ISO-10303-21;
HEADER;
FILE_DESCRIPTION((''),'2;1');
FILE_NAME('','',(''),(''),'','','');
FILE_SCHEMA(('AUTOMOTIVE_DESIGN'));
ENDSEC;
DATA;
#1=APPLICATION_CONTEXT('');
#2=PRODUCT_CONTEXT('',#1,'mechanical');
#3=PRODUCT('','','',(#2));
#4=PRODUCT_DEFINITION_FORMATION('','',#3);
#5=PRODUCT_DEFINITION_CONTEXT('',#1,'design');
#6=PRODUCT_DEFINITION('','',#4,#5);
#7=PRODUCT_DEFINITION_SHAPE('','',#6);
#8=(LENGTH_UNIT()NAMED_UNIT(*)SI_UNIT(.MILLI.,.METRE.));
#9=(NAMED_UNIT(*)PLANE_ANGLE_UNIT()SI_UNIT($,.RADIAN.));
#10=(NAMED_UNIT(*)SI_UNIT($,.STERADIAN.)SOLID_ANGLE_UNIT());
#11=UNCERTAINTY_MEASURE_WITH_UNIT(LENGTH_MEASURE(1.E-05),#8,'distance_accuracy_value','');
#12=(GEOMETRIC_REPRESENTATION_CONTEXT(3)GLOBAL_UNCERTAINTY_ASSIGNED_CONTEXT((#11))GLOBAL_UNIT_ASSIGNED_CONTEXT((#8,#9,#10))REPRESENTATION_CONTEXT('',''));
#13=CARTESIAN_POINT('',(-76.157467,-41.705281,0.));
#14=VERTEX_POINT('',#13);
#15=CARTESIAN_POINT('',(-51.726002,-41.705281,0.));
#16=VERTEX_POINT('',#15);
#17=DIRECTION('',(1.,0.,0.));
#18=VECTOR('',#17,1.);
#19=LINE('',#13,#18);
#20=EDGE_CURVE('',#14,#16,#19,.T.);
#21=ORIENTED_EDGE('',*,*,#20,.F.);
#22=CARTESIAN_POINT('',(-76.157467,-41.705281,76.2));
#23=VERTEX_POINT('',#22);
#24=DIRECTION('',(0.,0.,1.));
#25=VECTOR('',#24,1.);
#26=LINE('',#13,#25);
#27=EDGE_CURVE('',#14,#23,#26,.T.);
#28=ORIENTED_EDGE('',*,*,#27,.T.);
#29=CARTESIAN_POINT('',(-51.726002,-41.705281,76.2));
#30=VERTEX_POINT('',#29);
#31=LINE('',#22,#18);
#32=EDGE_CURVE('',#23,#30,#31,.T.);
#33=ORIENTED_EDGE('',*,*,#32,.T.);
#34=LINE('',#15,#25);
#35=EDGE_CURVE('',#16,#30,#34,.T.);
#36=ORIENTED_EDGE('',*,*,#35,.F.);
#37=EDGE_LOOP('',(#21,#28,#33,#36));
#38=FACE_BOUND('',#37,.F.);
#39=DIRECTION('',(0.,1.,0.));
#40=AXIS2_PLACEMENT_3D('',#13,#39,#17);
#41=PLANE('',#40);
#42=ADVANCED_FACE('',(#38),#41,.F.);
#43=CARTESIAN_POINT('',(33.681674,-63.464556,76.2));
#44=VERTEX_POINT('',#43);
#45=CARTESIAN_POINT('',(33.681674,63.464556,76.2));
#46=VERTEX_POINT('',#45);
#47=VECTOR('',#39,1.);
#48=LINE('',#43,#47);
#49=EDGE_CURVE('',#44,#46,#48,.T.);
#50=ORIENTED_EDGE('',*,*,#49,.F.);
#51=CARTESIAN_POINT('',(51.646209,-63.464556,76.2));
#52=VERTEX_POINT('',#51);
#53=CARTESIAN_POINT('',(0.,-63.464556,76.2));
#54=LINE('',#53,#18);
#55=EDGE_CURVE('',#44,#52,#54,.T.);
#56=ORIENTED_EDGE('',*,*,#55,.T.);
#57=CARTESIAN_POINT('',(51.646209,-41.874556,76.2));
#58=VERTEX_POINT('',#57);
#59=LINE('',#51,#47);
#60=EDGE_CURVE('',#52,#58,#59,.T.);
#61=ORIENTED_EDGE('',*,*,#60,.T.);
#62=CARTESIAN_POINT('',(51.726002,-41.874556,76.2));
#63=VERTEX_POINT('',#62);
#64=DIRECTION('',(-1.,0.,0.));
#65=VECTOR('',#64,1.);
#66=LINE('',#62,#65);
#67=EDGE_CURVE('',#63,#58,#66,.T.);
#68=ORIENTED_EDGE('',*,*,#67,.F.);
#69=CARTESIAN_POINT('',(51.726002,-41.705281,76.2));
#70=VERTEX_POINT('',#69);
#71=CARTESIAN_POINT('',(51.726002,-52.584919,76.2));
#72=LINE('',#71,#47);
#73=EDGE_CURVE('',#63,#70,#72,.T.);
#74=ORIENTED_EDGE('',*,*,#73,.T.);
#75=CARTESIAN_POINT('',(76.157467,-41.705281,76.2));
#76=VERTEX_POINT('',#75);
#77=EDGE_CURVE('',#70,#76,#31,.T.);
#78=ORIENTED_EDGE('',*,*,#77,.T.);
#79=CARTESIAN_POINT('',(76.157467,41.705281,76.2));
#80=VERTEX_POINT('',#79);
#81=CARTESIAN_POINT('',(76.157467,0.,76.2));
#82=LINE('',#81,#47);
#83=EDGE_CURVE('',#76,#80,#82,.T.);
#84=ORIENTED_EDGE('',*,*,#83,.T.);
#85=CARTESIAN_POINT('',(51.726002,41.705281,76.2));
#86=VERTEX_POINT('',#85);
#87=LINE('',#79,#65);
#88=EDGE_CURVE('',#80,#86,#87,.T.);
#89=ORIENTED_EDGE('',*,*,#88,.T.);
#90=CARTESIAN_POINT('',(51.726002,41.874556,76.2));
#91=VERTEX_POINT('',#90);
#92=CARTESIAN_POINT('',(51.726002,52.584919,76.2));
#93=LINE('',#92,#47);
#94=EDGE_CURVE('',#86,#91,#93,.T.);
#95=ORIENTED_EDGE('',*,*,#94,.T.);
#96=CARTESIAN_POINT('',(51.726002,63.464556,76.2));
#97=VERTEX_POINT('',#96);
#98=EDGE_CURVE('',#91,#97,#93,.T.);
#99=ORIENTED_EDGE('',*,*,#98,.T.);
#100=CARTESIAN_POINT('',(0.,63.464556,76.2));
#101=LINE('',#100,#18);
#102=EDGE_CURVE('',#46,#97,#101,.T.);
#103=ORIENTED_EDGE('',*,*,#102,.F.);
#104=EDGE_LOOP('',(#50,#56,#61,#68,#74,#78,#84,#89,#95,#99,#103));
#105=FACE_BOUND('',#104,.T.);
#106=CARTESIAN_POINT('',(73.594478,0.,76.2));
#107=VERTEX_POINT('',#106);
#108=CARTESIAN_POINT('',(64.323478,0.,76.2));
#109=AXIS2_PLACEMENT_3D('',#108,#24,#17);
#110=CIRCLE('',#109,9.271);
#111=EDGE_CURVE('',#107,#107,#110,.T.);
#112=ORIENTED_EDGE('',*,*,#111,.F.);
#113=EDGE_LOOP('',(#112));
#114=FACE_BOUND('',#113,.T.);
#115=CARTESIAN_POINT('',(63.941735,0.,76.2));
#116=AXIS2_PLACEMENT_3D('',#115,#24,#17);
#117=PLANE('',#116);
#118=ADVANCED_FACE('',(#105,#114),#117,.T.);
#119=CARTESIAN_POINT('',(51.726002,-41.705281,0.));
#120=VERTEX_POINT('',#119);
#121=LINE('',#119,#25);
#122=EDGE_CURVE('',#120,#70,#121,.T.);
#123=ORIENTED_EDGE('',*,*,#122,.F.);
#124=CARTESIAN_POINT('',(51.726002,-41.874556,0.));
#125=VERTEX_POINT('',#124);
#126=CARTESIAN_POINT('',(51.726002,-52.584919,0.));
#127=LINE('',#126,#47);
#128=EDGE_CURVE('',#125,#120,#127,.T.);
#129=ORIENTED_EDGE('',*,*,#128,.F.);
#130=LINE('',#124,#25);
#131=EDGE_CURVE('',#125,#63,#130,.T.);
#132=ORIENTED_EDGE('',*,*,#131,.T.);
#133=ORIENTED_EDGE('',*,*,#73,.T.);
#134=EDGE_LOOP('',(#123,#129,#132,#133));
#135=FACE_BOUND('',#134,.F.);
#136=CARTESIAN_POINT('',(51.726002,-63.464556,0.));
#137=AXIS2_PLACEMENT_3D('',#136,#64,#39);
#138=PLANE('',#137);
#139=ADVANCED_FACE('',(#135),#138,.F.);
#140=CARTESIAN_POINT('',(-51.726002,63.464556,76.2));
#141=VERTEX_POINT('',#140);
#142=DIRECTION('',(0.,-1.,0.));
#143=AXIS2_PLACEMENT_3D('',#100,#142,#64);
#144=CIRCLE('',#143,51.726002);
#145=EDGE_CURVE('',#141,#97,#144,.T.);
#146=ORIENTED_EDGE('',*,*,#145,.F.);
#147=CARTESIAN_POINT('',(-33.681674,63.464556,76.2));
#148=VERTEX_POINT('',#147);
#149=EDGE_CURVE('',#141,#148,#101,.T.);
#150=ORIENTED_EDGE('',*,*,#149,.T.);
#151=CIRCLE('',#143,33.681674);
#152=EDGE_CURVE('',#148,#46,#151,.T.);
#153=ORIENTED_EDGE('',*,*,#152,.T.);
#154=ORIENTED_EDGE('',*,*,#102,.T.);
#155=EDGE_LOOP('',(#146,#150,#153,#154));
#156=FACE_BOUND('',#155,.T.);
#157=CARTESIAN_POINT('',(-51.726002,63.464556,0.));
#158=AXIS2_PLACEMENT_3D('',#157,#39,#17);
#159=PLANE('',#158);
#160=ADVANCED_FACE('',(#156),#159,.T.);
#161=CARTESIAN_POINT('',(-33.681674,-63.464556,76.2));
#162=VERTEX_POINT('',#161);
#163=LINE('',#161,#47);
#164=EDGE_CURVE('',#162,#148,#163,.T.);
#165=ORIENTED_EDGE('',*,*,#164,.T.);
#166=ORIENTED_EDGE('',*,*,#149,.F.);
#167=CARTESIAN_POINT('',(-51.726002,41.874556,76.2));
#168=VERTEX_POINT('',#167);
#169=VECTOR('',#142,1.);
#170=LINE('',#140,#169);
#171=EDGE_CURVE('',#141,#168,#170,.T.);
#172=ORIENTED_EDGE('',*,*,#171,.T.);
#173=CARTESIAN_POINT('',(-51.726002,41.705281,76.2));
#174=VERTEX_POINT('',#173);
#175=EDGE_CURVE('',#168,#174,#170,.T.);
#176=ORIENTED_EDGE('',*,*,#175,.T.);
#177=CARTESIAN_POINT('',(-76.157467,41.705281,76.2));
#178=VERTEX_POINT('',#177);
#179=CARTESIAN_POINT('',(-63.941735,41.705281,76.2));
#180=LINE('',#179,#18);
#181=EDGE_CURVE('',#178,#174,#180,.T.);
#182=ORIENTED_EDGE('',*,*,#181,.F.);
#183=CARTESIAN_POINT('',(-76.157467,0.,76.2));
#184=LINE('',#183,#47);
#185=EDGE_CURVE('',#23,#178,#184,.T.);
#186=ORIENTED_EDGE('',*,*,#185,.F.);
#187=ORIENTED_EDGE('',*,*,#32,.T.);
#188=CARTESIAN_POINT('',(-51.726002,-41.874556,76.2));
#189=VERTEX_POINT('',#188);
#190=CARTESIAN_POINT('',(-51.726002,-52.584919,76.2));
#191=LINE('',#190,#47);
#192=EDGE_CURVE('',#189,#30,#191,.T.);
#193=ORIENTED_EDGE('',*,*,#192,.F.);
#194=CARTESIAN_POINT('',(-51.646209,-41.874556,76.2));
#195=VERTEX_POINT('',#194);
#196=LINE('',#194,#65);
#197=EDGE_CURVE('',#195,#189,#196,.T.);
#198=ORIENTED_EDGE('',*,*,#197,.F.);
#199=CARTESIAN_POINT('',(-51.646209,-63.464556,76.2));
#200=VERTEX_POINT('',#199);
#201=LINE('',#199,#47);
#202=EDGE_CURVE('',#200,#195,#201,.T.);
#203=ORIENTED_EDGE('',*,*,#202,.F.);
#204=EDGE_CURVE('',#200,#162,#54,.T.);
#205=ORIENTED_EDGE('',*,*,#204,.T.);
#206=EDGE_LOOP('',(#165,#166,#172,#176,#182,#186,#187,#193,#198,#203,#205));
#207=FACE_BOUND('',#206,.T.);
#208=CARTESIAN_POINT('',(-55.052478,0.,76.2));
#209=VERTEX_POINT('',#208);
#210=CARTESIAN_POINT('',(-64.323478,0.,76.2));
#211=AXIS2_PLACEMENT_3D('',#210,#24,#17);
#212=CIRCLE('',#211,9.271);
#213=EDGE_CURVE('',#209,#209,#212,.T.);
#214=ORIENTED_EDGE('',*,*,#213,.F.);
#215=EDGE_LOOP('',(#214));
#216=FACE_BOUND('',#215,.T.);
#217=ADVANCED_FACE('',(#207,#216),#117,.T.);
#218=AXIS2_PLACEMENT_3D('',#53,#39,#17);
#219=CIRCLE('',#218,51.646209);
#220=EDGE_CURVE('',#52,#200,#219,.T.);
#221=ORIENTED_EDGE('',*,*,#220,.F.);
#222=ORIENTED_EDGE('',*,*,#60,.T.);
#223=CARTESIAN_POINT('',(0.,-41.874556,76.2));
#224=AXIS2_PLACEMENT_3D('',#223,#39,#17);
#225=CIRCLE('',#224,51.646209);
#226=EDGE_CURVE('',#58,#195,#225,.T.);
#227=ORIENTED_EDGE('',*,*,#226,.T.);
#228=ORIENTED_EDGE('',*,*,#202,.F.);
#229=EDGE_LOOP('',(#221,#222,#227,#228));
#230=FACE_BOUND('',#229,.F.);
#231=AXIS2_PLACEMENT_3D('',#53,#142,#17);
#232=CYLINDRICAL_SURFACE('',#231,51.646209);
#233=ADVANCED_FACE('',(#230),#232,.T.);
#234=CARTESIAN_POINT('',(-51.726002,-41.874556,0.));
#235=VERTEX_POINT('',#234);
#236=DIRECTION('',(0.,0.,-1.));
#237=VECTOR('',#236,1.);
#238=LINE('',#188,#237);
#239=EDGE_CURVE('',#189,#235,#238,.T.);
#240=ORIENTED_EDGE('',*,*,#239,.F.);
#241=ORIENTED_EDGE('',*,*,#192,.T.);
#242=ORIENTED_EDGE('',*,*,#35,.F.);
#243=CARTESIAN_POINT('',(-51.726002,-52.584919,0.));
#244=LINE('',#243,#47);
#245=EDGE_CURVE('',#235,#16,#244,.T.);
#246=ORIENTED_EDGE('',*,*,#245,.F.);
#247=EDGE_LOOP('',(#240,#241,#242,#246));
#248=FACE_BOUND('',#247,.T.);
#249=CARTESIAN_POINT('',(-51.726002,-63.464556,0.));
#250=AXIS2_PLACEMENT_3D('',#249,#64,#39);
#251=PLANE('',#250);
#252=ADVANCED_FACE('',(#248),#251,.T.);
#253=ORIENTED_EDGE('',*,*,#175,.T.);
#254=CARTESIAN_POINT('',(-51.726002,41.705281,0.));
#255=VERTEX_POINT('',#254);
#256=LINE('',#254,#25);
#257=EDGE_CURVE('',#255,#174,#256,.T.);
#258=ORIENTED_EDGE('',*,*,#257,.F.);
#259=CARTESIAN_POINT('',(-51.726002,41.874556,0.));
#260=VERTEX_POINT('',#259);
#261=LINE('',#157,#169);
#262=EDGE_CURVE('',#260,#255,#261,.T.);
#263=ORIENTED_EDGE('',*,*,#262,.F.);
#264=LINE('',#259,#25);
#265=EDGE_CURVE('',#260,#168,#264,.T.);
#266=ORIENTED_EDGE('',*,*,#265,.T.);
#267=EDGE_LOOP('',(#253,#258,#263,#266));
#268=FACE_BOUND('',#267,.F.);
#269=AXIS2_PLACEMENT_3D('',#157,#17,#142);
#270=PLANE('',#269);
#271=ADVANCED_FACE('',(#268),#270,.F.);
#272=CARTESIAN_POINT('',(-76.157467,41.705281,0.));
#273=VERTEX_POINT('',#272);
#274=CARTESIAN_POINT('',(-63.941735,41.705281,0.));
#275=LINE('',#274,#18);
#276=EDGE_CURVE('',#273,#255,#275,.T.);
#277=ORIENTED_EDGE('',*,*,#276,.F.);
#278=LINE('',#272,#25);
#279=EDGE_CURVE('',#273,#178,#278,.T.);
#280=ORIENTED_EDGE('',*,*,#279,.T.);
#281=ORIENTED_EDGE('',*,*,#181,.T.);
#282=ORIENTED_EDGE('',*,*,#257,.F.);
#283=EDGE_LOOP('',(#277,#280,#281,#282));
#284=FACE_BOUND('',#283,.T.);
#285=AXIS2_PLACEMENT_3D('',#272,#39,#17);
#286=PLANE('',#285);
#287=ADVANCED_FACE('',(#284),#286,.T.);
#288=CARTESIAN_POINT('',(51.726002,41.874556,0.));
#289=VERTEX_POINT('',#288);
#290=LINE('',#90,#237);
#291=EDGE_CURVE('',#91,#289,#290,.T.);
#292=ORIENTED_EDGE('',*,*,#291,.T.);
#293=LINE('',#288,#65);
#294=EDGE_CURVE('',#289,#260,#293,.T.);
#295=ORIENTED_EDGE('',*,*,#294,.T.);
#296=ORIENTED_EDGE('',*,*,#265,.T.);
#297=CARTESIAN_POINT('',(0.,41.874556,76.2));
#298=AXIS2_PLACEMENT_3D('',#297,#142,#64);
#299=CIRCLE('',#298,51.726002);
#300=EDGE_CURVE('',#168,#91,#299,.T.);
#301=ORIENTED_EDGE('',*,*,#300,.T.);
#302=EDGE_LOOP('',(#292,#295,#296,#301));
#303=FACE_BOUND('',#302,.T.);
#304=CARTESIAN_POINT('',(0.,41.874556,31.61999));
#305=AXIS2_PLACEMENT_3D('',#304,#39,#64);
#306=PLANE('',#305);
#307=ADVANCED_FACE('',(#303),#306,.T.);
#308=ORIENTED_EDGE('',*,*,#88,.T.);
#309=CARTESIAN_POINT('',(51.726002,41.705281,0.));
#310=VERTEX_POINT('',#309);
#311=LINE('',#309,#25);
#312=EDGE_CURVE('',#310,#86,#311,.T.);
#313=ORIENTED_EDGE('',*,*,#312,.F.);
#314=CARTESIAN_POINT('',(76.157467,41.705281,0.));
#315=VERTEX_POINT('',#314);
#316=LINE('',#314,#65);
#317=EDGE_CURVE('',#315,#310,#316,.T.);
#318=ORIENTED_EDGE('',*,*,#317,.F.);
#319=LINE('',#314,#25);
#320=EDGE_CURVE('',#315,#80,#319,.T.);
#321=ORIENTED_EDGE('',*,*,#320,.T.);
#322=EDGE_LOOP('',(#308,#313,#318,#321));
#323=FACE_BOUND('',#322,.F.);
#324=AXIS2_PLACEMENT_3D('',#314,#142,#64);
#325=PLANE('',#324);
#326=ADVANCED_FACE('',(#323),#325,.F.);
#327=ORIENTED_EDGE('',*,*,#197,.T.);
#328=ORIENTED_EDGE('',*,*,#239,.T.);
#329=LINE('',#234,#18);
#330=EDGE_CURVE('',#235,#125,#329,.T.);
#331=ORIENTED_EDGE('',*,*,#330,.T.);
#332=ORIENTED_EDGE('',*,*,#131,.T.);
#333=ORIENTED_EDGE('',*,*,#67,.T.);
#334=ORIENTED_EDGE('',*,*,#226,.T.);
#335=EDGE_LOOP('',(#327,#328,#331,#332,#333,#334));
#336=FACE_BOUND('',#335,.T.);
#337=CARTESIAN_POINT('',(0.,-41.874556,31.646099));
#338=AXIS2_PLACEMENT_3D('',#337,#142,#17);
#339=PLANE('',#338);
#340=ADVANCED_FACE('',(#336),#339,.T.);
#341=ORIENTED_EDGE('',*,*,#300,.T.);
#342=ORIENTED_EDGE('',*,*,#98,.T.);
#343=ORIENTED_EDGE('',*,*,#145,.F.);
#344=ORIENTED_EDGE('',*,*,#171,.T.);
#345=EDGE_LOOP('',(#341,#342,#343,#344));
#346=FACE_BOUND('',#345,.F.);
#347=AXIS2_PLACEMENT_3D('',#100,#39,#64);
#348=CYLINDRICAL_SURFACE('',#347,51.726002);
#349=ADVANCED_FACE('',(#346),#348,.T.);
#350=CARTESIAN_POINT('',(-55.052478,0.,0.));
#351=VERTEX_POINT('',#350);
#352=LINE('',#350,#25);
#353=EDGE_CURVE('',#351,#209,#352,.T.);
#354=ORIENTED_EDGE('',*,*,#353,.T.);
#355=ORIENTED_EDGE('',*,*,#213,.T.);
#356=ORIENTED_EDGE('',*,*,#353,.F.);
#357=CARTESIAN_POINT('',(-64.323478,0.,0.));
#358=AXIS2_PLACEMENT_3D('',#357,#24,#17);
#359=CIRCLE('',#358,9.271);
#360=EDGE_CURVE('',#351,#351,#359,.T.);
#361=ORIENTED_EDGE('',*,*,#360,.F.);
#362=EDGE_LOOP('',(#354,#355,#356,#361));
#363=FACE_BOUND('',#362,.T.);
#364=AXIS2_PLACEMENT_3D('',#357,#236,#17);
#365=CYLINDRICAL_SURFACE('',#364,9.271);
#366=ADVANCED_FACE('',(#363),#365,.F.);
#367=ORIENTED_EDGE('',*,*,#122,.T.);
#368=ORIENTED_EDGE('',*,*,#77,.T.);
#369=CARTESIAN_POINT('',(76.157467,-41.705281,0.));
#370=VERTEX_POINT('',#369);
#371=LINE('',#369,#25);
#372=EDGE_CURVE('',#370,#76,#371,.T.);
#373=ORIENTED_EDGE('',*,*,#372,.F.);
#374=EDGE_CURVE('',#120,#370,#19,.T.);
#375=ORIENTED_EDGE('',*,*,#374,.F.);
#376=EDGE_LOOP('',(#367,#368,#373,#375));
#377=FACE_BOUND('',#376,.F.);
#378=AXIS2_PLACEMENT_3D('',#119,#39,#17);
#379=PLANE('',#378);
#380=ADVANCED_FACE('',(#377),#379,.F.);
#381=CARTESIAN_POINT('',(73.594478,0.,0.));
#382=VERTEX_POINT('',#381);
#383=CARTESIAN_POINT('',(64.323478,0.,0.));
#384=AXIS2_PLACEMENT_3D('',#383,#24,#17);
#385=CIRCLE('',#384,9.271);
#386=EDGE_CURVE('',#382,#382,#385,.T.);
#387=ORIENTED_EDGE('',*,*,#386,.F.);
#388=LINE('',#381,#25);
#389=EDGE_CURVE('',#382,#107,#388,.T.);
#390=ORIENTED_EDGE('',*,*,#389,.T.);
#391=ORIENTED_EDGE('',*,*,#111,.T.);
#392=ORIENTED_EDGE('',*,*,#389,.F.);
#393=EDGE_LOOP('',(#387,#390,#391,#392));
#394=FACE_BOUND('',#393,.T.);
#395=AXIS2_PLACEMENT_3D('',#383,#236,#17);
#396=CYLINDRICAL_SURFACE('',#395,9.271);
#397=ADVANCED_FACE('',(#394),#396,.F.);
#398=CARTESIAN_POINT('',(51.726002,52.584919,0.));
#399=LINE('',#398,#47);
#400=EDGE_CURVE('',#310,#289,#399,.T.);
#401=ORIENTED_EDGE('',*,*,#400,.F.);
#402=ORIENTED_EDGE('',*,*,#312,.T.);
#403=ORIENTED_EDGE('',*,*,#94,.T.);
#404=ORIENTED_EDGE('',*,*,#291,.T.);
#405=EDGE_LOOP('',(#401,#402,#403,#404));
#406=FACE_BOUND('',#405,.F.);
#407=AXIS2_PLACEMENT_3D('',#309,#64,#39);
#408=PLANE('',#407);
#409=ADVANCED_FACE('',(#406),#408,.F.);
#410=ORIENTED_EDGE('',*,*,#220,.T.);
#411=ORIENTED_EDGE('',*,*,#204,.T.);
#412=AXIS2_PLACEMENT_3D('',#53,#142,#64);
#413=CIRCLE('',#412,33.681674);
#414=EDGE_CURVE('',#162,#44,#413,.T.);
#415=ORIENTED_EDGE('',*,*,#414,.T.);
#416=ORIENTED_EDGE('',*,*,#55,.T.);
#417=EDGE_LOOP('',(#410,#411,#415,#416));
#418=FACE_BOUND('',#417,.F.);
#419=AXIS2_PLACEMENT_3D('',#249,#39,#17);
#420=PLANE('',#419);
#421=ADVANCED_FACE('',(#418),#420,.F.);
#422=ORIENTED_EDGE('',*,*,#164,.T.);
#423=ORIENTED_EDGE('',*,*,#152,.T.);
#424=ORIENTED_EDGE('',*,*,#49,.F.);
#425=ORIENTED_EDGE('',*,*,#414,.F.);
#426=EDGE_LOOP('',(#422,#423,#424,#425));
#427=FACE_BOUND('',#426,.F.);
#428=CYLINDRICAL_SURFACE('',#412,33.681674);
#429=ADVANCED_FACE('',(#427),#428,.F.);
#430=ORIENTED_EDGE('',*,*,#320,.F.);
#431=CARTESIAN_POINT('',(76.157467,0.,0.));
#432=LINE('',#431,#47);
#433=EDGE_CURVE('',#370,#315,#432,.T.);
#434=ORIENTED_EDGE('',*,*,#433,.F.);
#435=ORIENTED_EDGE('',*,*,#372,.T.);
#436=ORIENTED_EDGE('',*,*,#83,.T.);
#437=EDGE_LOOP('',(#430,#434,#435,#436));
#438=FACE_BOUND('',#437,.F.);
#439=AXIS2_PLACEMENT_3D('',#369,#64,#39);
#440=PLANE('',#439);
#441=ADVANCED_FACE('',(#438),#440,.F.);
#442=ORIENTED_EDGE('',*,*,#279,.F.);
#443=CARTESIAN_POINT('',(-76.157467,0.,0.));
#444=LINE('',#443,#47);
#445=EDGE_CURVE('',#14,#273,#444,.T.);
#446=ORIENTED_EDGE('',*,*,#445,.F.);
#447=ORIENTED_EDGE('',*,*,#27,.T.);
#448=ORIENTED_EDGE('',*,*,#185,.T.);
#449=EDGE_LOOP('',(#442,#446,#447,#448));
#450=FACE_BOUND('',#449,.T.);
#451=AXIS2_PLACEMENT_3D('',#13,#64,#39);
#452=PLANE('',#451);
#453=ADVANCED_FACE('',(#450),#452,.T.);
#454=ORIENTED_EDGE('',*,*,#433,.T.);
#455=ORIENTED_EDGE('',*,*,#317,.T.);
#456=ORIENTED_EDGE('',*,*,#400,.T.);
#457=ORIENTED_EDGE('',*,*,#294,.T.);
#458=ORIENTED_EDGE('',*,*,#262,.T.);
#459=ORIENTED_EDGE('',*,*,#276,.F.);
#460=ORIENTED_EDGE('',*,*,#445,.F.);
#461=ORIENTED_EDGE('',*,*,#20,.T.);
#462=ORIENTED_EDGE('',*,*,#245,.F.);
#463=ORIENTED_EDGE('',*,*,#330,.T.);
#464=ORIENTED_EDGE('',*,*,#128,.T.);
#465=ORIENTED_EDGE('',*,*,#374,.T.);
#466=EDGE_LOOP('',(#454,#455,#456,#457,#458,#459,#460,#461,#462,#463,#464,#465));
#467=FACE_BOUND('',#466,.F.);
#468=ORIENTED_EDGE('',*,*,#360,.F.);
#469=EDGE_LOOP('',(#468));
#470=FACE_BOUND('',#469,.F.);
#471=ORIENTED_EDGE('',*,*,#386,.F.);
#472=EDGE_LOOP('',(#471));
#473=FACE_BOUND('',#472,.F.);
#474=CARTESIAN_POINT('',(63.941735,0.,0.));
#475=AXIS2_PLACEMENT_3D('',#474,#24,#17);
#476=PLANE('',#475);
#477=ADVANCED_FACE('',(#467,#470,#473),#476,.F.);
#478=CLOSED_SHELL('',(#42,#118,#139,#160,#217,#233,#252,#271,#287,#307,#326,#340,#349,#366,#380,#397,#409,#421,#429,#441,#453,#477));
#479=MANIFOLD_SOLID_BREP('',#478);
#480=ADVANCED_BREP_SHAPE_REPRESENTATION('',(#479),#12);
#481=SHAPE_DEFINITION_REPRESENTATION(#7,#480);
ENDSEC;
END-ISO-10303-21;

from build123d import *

# Parameters (mm, degrees)
F0_W     = 24.4314651938
F0_H     = 83.410562446
F0_R     = 9.271
F0_W_2   = 103.4520039098
F0_H_2   = 21.7592747342
F1_DEPTH = 76.2
F3_DEPTH = 172.974
F4_DEPTH = 21.59
F6_DEPTH = 21.59


with BuildPart() as f1:
    # F0 (on Top) → F1 (new body)
    with BuildSketch(Plane.XY):
        with Locations((63.9417345518, 0)):
            Rectangle(F0_W, F0_H)
        with Locations((64.3234781713, 0)):
            Circle(F0_R, mode=Mode.SUBTRACT)
        Rectangle(F0_W_2, F0_H)
        with Locations((0, 52.5849185901)):
            Rectangle(F0_W_2, F0_H_2)
        with Locations((-63.9417345518, 0)):
            Rectangle(F0_W, F0_H)
        with Locations((-64.3234781713, 0)):
            Circle(F0_R, mode=Mode.SUBTRACT)
        with Locations((0, -52.5849185901)):
            Rectangle(F0_W_2, F0_H_2)
    extrude(amount=F1_DEPTH)

    # F2 (on face) → F3 (cut)
    with BuildSketch(Plane.XZ.offset(63.4645559572)):
        with BuildLine():
            Line((33.6816743844, 76.2), (-33.6816743844, 76.2))
            ThreePointArc((-33.6816743844, 76.2), (0, 42.5183256156), (33.6816743844, 76.2))
        make_face()
    extrude(amount=-F3_DEPTH, mode=Mode.SUBTRACT)

    # F2 (on face) → F4 (cut)
    with BuildSketch(Plane.XZ.offset(63.4645559572)):
        with BuildLine():
            ThreePointArc((51.6462088302, 76.2), (0, 24.5537911698), (-51.6462088302, 76.2))
            Line((-51.6462088302, 76.2), (-51.7260019549, 76.2))
            Line((-51.7260019549, 76.2), (-51.7260019549, 0))
            Line((-51.7260019549, 0), (51.7260019549, 0))
            Line((51.7260019549, 0), (51.7260019549, 76.2))
            Line((51.7260019549, 76.2), (51.6462088302, 76.2))
        make_face()
    extrude(amount=-F4_DEPTH, mode=Mode.SUBTRACT)

    # F5 (on face) → F6 (cut)
    with BuildSketch(Plane(origin=(0, 63.4645559572, 0), x_dir=(-1, 0, 0), z_dir=(0, 1, 0))):
        with BuildLine():
            ThreePointArc((51.7260019549, 76.2), (0, 24.4739980451), (-51.7260019549, 76.2))
            Line((-51.7260019549, 76.2), (-51.7260019549, 0))
            Line((-51.7260019549, 0), (51.7260019549, 0))
            Line((51.7260019549, 0), (51.7260019549, 76.2))
        make_face()
    extrude(amount=-F6_DEPTH, mode=Mode.SUBTRACT)


solid = f1.part
